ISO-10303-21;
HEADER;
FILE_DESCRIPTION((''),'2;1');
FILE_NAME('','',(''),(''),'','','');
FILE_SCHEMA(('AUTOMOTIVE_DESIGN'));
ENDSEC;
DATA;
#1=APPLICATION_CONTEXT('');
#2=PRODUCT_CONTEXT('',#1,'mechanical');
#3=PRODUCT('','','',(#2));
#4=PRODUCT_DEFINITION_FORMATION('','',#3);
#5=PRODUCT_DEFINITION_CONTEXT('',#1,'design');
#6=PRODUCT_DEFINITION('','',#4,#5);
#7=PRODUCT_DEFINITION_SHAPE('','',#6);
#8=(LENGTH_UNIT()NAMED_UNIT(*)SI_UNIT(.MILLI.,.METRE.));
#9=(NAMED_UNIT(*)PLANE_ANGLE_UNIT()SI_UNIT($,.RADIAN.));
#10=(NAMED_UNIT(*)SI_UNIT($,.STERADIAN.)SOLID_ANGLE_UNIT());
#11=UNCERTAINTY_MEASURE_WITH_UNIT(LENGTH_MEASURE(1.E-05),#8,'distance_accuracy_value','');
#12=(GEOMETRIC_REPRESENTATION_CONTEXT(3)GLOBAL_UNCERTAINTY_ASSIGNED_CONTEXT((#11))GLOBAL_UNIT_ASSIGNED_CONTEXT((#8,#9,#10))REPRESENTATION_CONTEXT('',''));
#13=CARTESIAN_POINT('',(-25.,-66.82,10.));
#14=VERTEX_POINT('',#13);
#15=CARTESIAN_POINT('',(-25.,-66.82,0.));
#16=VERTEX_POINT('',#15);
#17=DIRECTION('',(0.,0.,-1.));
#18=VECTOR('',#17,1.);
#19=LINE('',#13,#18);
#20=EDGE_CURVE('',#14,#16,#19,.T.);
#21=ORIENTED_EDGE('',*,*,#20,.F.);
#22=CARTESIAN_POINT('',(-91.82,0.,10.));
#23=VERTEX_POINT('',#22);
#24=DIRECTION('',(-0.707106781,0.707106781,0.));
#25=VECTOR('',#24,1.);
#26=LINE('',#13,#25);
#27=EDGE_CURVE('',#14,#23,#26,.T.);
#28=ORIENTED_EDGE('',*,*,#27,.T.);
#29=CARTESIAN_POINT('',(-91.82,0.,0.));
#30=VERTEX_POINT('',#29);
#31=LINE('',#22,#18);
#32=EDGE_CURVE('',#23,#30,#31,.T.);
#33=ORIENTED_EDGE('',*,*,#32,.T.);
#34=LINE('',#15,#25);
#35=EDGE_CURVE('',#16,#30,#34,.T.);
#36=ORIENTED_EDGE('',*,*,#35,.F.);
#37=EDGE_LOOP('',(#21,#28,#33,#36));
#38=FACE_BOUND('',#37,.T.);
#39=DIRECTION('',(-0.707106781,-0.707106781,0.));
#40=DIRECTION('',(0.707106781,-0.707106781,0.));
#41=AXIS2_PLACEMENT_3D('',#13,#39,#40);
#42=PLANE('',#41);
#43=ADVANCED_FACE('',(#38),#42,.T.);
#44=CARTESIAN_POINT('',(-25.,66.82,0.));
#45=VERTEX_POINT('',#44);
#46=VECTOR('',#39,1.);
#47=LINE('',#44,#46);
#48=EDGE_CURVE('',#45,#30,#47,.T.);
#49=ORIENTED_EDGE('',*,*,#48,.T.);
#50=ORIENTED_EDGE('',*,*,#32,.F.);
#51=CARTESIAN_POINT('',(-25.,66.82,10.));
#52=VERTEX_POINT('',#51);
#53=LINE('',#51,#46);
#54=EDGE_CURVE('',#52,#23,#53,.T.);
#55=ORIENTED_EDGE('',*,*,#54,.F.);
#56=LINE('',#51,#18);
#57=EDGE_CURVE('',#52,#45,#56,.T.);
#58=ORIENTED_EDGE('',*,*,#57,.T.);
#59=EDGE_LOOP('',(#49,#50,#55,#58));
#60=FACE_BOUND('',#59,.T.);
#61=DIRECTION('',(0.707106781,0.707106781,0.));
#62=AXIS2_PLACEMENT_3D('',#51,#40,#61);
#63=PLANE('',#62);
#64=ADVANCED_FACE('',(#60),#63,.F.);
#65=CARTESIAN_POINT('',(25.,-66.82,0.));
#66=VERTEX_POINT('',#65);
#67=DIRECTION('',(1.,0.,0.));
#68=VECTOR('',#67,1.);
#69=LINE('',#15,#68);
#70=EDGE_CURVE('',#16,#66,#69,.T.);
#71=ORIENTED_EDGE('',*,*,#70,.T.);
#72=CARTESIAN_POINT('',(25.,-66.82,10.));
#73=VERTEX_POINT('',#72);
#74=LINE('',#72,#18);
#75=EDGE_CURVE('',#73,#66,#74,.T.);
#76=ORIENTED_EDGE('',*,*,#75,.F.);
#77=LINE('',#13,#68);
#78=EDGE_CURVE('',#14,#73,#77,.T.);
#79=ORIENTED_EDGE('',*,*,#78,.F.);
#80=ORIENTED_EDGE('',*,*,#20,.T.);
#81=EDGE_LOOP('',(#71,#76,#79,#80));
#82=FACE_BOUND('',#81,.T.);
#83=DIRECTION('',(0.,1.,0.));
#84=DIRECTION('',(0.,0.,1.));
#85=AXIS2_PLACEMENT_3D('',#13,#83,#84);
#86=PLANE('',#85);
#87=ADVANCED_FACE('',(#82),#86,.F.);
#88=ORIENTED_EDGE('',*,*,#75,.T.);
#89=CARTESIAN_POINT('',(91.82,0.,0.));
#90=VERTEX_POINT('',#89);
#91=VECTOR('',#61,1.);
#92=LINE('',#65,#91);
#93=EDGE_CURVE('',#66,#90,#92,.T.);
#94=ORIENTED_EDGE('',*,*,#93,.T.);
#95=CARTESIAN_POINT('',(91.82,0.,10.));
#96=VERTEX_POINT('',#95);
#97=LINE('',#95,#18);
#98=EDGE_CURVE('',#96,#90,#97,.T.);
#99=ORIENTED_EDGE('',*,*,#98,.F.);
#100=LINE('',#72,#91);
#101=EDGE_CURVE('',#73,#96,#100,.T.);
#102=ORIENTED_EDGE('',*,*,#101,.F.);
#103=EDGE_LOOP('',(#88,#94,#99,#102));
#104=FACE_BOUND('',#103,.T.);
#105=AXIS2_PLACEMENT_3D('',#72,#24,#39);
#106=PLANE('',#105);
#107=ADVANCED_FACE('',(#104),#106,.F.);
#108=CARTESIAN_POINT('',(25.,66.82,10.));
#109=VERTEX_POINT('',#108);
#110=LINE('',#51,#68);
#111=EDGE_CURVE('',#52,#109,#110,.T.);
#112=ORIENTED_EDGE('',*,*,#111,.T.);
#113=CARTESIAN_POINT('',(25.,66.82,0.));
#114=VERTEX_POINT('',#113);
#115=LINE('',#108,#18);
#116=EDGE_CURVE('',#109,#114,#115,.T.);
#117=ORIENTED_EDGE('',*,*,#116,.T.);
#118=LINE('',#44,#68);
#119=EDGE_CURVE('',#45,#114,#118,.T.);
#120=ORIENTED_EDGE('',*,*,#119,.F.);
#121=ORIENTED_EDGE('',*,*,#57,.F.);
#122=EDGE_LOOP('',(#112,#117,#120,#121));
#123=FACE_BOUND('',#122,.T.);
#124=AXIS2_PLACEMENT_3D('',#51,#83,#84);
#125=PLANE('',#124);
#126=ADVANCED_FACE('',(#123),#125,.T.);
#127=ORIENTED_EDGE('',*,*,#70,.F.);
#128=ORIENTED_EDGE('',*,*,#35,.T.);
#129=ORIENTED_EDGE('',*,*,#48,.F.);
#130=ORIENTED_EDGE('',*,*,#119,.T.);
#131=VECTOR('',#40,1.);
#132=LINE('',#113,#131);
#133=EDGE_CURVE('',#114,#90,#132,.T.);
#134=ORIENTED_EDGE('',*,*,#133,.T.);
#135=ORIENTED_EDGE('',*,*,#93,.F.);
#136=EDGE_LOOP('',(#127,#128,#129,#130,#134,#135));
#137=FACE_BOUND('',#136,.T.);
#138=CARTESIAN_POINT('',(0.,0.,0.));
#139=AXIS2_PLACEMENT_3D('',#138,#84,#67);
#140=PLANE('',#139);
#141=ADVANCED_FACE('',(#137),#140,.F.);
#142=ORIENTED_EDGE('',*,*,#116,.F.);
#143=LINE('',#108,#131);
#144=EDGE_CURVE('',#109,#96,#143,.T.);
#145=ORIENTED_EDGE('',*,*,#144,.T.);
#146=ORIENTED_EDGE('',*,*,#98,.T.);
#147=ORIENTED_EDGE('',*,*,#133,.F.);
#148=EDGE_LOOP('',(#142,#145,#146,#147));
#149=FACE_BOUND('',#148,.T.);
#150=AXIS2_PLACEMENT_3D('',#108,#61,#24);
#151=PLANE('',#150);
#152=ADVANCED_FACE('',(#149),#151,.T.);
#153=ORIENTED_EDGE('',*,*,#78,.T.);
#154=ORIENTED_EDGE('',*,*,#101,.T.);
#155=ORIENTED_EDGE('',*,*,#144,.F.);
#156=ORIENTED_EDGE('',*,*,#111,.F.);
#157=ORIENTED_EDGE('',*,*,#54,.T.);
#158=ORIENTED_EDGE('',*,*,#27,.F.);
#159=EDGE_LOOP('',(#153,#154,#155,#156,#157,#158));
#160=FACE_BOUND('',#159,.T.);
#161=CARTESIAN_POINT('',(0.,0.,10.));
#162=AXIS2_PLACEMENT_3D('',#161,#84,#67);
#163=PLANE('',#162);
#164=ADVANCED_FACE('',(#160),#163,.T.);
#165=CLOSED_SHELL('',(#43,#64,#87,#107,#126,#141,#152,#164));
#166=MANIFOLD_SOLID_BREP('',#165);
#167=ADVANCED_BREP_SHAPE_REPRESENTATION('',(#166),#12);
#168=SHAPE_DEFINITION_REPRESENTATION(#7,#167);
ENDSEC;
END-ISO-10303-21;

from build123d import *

# Parameters (mm, degrees)
BOSS_EXTRU_2_DEPTH = 10


with BuildPart() as part:
    # Esquisse2 → Boss.-Extru.2 (new body)
    with BuildSketch(Plane.XY):
        Polygon((-25, 66.82), (25, 66.82), (91.82, 0), (25, -66.82), (-25, -66.82), (-91.82, 0), align=None)
    extrude(amount=BOSS_EXTRU_2_DEPTH)


solid = part.part
